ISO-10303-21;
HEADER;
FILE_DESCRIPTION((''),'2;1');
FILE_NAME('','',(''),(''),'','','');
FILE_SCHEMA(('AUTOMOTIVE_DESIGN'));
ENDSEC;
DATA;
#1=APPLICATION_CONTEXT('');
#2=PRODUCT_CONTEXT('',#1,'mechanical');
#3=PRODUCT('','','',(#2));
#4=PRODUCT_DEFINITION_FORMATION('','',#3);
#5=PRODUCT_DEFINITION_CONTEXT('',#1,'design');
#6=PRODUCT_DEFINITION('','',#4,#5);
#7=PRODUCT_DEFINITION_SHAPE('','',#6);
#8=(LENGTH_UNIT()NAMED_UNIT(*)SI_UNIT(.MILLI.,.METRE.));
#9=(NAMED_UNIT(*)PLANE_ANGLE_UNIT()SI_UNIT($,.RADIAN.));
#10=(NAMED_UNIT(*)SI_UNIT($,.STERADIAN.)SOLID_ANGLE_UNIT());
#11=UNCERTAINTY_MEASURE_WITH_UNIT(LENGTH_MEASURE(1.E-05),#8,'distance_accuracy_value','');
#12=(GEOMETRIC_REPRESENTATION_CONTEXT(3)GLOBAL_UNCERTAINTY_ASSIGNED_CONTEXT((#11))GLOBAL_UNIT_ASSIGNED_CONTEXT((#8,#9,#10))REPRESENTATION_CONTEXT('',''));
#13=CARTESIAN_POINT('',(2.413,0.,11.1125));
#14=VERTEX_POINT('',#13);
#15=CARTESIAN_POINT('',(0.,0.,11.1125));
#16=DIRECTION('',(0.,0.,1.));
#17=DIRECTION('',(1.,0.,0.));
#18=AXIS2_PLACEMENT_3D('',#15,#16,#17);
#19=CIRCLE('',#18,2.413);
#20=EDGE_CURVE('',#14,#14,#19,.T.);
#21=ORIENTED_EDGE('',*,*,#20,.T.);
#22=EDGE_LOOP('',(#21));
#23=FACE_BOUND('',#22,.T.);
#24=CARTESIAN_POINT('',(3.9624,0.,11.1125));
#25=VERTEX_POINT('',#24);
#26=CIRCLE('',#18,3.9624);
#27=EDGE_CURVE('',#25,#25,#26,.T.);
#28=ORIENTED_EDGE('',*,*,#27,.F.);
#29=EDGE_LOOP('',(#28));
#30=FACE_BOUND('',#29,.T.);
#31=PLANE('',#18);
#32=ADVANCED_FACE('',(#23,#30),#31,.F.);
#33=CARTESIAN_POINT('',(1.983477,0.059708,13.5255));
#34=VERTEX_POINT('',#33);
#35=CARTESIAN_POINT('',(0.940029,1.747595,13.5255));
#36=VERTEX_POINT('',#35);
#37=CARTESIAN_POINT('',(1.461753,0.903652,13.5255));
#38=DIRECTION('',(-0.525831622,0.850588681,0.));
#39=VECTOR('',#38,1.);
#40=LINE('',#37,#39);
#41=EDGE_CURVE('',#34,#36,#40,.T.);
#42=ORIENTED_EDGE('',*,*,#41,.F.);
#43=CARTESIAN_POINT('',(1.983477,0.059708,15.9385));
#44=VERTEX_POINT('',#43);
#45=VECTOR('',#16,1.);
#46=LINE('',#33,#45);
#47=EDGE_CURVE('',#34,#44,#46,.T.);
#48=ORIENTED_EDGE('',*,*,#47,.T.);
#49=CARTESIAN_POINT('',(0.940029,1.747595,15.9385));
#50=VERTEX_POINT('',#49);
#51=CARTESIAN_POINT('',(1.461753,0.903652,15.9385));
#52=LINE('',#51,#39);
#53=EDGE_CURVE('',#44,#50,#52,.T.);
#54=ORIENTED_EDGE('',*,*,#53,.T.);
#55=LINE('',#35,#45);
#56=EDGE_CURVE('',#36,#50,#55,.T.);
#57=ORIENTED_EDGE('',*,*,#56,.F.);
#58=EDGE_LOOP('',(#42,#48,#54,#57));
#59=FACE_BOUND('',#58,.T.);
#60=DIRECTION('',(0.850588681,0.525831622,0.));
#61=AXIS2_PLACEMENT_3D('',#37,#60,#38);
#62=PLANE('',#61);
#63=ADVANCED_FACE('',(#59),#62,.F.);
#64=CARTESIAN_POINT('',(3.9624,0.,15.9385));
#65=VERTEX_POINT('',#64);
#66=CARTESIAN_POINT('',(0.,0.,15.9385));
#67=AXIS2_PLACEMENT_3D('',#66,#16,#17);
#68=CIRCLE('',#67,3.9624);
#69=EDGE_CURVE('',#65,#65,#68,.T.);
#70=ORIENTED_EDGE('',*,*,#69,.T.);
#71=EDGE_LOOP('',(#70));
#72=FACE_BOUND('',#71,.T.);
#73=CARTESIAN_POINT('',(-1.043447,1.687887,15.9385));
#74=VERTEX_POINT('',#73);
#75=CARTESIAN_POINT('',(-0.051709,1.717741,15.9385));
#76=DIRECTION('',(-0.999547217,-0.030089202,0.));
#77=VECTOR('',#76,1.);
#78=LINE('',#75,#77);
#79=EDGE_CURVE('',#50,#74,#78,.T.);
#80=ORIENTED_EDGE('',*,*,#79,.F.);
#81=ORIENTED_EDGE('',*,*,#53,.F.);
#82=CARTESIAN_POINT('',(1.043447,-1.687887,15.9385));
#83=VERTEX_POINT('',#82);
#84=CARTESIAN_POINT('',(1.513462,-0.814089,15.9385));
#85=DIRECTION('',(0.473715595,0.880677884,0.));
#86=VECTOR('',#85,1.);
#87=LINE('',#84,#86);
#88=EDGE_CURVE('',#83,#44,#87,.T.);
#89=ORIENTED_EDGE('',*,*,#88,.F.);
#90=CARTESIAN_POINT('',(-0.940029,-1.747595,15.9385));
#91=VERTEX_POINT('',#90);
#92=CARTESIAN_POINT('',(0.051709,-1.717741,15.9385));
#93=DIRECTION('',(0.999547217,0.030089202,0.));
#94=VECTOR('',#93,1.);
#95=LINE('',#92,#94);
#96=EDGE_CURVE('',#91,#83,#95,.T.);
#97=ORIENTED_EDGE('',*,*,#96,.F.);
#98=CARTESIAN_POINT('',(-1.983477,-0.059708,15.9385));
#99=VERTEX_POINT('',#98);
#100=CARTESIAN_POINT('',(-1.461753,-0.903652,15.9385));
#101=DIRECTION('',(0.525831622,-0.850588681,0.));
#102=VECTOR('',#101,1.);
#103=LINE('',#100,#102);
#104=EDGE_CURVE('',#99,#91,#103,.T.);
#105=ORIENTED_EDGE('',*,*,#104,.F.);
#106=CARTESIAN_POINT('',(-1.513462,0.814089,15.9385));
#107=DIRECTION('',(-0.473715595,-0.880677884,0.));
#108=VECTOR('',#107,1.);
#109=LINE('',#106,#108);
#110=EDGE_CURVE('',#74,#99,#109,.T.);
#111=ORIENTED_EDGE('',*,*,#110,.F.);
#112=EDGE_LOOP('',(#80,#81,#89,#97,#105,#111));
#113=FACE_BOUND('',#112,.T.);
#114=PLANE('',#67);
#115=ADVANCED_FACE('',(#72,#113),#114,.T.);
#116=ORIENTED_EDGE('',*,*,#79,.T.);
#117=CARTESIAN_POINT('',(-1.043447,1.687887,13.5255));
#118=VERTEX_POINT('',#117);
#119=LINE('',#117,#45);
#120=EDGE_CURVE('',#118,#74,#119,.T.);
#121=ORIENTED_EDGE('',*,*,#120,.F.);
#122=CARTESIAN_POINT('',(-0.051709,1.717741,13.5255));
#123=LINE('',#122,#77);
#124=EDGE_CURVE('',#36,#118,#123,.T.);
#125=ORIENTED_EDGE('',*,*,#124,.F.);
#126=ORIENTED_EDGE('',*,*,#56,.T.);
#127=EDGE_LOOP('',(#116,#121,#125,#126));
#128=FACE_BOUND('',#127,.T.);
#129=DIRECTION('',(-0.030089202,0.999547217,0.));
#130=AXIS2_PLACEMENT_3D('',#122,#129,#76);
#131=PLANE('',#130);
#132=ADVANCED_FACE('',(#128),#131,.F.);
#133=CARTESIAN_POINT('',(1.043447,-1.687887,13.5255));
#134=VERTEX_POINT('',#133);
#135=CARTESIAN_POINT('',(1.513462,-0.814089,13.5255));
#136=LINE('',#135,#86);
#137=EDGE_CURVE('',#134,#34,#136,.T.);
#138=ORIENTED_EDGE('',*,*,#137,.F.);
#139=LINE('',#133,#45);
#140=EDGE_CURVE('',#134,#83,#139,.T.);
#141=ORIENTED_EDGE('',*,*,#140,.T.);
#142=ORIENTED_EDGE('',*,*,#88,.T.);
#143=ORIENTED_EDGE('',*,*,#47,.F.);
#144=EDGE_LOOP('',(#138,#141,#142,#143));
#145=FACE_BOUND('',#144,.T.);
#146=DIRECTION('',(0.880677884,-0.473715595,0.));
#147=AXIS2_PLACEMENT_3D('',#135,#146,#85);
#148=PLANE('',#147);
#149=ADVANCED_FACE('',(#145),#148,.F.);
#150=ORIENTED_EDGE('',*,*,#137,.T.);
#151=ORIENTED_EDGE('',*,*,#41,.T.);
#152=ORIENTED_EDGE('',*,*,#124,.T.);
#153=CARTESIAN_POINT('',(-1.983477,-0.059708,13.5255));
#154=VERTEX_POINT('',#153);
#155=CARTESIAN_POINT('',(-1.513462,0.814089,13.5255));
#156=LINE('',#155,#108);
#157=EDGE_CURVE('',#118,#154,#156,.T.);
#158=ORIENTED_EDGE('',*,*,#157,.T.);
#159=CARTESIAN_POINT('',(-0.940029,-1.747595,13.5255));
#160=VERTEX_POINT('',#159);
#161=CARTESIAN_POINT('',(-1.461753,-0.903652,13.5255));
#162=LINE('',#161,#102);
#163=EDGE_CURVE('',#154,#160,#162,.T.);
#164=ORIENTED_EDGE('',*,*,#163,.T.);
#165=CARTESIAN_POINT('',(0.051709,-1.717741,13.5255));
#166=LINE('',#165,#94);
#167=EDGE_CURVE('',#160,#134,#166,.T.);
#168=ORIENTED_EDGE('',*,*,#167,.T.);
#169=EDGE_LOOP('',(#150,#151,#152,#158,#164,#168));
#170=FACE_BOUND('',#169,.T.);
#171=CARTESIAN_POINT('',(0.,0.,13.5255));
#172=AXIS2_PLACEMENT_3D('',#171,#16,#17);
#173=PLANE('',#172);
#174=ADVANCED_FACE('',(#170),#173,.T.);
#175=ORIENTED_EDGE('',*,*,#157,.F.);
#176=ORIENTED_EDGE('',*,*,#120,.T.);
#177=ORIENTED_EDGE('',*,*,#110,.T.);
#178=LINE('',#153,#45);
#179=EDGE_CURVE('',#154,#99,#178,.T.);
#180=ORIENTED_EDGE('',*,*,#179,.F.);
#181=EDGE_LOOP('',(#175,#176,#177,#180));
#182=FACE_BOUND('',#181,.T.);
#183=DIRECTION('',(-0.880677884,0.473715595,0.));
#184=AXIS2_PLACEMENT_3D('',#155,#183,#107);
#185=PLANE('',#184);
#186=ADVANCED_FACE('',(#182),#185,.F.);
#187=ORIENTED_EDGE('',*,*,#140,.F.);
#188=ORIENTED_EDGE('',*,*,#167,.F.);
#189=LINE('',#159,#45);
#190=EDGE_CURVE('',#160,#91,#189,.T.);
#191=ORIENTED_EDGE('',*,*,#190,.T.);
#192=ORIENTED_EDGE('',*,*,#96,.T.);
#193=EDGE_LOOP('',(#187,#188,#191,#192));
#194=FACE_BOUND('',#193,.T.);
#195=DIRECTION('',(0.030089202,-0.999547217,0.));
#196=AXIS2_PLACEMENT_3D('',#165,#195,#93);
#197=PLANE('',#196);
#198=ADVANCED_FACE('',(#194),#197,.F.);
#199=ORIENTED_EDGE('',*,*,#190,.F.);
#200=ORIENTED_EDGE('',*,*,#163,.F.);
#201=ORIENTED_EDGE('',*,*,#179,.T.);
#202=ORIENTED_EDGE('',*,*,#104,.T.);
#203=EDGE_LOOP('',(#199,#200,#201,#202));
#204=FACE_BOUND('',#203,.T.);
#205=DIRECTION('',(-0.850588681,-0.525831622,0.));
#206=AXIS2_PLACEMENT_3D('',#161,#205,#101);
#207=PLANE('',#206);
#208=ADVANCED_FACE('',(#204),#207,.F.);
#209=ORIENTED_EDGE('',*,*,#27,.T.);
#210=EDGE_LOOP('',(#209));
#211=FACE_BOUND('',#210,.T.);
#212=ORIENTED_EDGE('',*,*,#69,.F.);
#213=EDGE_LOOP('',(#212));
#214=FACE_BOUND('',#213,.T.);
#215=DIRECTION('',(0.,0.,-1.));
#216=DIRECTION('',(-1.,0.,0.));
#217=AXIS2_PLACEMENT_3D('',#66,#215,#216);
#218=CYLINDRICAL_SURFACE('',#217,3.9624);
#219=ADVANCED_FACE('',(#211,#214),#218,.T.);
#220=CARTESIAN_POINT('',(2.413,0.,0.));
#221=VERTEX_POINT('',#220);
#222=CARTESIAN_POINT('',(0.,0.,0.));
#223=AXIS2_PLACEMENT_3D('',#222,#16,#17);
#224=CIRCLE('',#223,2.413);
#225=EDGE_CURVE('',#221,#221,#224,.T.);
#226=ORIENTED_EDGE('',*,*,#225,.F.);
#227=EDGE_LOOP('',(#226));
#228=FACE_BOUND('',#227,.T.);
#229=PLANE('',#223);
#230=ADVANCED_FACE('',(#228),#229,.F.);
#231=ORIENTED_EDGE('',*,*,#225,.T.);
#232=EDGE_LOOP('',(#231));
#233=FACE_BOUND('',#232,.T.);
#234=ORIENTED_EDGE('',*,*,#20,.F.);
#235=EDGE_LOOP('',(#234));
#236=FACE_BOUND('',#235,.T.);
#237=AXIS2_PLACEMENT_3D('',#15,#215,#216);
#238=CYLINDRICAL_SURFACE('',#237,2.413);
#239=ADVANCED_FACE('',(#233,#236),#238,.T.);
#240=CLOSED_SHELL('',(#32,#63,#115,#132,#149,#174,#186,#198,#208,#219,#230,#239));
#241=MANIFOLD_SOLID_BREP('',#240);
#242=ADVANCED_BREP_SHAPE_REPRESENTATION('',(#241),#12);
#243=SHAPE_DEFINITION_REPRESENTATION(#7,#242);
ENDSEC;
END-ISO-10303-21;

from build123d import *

# Parameters (mm, degrees)
SKETCH1_R           = 2.413
BOSS_EXTRUDE1_DEPTH = 11.1125
SKETCH2_R           = 3.9624
BOSS_EXTRUDE2_DEPTH = 4.826
CUT_EXTRUDE1_DEPTH  = 2.413


with BuildPart() as part:
    # Sketch1 → Boss-Extrude1 (new body)
    with BuildSketch(Plane.XY):
        Circle(SKETCH1_R)
    extrude(amount=BOSS_EXTRUDE1_DEPTH)

    # Sketch2 → Boss-Extrude2 (add)
    with BuildSketch(Plane.XY.offset(11.1125)):
        Circle(SKETCH2_R)
    extrude(amount=BOSS_EXTRUDE2_DEPTH)

    # Sketch3 → Cut-Extrude1 (cut)
    with BuildSketch(Plane.XY.offset(15.9385)):
        Polygon((0.940029384, 1.747595175), (-1.043447125, 1.687886915), (-1.98347651, -0.059708261), (-0.940029384, -1.747595175), (1.043447125, -1.687886915), (1.98347651, 0.059708261), align=None)
    extrude(amount=-CUT_EXTRUDE1_DEPTH, mode=Mode.SUBTRACT)


solid = part.part
